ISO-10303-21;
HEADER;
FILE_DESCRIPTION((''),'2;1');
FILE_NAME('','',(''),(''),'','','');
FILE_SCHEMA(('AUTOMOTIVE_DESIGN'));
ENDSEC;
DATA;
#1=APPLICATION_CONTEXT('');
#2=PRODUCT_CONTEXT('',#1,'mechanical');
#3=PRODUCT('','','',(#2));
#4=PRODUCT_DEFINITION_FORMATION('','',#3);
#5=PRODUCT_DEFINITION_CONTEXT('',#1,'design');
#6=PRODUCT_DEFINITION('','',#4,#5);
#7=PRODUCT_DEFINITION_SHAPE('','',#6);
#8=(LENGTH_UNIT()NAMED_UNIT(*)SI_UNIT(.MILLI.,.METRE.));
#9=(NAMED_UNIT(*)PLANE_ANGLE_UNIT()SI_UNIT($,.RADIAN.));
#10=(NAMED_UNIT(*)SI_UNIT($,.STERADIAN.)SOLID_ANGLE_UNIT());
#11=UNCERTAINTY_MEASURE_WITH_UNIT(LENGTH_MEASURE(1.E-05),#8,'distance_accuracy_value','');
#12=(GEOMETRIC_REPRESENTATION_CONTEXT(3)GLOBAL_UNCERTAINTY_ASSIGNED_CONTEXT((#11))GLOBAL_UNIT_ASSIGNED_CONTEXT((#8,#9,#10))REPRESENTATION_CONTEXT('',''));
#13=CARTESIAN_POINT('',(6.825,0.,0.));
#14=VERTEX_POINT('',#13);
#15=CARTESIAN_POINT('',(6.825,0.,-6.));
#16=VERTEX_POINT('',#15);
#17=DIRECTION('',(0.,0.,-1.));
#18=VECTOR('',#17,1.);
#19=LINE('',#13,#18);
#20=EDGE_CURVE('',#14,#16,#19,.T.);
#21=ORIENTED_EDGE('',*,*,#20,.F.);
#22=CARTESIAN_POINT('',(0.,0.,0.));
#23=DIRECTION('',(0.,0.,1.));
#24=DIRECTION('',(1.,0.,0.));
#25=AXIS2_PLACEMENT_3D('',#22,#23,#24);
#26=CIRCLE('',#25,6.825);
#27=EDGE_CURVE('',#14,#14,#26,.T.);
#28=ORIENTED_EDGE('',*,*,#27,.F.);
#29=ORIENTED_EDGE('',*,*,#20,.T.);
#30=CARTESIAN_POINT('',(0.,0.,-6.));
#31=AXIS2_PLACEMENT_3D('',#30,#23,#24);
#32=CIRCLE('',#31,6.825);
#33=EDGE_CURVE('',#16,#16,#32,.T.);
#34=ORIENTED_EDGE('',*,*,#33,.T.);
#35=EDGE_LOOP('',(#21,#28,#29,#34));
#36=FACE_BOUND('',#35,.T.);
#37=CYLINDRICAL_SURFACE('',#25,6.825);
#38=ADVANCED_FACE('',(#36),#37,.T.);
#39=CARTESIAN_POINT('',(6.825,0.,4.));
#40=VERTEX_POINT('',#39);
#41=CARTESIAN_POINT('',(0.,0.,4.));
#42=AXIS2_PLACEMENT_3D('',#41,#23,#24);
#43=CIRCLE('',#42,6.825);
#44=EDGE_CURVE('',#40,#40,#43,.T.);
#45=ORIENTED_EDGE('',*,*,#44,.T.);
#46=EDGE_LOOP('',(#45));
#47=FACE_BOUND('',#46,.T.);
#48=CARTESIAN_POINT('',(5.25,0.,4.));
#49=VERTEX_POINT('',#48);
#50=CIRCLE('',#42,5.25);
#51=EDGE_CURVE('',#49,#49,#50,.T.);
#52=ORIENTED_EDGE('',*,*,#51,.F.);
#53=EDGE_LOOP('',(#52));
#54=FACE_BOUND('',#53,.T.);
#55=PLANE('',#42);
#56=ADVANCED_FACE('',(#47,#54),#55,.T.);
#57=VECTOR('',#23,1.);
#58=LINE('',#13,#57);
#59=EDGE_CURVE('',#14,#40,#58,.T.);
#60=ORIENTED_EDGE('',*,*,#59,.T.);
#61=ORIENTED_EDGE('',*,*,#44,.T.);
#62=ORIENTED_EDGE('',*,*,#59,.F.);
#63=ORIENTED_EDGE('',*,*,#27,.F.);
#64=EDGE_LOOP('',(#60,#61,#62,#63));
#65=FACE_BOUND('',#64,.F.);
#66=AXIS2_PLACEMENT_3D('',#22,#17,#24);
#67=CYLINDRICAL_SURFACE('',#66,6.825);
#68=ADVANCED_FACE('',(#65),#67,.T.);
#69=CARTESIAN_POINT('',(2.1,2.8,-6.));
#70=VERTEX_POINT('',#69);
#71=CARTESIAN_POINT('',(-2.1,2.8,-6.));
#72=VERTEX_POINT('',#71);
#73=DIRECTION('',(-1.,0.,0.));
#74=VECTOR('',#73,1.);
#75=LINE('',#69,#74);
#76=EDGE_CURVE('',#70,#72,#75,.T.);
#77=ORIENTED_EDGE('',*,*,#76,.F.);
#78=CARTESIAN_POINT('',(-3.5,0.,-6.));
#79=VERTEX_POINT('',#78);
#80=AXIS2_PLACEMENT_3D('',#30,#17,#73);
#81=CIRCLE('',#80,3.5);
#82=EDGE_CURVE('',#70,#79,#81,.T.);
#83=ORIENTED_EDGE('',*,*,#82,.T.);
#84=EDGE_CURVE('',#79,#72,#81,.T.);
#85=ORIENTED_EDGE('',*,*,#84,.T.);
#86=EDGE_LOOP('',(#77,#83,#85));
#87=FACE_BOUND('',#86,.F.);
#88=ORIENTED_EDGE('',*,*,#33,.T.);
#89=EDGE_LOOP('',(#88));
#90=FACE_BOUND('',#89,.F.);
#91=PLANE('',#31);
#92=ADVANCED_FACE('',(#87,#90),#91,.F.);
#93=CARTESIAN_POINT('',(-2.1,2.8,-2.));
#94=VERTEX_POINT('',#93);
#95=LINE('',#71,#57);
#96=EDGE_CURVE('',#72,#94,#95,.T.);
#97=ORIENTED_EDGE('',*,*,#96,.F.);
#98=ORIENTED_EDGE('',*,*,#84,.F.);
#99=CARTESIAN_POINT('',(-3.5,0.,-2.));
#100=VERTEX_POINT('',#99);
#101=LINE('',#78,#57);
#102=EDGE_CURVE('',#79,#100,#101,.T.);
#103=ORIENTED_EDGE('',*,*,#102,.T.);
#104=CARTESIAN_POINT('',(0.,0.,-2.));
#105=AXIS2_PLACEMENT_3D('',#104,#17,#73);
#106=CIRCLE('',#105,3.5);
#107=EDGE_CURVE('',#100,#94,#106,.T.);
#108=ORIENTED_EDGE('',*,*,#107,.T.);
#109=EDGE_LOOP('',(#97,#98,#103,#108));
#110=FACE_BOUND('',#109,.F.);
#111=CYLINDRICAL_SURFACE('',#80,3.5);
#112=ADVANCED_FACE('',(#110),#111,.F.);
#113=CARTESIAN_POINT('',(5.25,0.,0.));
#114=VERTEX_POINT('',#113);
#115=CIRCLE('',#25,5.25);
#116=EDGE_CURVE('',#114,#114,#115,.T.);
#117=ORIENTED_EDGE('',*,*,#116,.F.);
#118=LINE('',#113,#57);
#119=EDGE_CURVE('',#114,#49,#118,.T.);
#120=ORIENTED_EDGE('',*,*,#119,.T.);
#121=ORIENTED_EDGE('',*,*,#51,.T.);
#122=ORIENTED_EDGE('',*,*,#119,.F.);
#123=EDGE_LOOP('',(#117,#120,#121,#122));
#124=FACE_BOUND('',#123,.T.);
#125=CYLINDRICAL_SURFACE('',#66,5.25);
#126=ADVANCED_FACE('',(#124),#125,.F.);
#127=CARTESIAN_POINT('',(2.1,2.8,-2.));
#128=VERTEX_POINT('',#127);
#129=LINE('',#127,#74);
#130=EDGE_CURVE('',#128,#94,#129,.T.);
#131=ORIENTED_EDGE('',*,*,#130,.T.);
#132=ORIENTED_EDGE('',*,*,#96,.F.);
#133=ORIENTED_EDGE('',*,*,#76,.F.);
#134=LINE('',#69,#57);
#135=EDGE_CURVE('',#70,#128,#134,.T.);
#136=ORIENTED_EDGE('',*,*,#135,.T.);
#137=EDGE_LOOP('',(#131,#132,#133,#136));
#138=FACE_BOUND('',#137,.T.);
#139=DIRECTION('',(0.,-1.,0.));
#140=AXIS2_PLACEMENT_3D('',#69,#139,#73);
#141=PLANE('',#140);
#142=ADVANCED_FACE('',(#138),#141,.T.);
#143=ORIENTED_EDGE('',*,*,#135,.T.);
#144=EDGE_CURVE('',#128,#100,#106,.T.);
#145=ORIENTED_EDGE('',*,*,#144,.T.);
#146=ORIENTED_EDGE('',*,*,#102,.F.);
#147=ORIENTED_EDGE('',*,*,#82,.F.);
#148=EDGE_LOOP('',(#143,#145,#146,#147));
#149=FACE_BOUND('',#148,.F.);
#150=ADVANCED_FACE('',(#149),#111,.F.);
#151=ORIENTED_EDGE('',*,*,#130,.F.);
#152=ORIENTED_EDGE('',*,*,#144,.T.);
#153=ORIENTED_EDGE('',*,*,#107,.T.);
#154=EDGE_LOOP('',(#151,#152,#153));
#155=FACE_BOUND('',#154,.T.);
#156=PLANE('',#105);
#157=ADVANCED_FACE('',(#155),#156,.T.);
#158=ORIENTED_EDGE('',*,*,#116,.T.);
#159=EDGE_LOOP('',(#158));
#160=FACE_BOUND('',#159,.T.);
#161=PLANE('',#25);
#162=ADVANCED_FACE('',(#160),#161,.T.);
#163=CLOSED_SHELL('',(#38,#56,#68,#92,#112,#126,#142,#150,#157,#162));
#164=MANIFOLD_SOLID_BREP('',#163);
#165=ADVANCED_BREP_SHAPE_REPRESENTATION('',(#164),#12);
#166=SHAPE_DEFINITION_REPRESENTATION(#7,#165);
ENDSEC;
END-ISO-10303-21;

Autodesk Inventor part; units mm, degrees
ref_plane "YZ Plane" through (0, 0, 0) normal (1, 0, 0) x (0, 1, 0)
ref_plane "XZ Plane" through (0, 0, 0) normal (0, 1, 0) x (-1, 0, 0)
ref_plane "XY Plane" through (0, 0, 0) normal (0, 0, 1) x (1, 0, 0)
sketch "Sketch1" plane through (0, 0, 0) normal (0, 0, 1) x (1, 0, 0)
  circle A0 centre (0, 0) radius 5.25
  circle A1 centre (0, 0) radius 6.825
  dimension "d0" = 10.5
  dimension "d1" = 13.65
extrude "Extrusion1" add sketch "Sketch1" along normal blind 4
extrude "Extrusion2" add sketch "Sketch1" against normal blind 6 contours A0 | A1
sketch "Sketch2" plane through (0, 0, -6) normal (0, 0, -1) x (-1, 0, 0)
  circle A0 centre (0, 0) radius 3.5
  line L0 (-2.1, 2.8) -> (2.1, 2.8)
  dimension "d6" = 7
  dimension "d7" = 0.7
extrude "Extrusion3" cut sketch "Sketch2" against normal blind 4 contours A0 L0 picked at (-0.6426, 0.8929)
properties part number "Shaft Coupler"
